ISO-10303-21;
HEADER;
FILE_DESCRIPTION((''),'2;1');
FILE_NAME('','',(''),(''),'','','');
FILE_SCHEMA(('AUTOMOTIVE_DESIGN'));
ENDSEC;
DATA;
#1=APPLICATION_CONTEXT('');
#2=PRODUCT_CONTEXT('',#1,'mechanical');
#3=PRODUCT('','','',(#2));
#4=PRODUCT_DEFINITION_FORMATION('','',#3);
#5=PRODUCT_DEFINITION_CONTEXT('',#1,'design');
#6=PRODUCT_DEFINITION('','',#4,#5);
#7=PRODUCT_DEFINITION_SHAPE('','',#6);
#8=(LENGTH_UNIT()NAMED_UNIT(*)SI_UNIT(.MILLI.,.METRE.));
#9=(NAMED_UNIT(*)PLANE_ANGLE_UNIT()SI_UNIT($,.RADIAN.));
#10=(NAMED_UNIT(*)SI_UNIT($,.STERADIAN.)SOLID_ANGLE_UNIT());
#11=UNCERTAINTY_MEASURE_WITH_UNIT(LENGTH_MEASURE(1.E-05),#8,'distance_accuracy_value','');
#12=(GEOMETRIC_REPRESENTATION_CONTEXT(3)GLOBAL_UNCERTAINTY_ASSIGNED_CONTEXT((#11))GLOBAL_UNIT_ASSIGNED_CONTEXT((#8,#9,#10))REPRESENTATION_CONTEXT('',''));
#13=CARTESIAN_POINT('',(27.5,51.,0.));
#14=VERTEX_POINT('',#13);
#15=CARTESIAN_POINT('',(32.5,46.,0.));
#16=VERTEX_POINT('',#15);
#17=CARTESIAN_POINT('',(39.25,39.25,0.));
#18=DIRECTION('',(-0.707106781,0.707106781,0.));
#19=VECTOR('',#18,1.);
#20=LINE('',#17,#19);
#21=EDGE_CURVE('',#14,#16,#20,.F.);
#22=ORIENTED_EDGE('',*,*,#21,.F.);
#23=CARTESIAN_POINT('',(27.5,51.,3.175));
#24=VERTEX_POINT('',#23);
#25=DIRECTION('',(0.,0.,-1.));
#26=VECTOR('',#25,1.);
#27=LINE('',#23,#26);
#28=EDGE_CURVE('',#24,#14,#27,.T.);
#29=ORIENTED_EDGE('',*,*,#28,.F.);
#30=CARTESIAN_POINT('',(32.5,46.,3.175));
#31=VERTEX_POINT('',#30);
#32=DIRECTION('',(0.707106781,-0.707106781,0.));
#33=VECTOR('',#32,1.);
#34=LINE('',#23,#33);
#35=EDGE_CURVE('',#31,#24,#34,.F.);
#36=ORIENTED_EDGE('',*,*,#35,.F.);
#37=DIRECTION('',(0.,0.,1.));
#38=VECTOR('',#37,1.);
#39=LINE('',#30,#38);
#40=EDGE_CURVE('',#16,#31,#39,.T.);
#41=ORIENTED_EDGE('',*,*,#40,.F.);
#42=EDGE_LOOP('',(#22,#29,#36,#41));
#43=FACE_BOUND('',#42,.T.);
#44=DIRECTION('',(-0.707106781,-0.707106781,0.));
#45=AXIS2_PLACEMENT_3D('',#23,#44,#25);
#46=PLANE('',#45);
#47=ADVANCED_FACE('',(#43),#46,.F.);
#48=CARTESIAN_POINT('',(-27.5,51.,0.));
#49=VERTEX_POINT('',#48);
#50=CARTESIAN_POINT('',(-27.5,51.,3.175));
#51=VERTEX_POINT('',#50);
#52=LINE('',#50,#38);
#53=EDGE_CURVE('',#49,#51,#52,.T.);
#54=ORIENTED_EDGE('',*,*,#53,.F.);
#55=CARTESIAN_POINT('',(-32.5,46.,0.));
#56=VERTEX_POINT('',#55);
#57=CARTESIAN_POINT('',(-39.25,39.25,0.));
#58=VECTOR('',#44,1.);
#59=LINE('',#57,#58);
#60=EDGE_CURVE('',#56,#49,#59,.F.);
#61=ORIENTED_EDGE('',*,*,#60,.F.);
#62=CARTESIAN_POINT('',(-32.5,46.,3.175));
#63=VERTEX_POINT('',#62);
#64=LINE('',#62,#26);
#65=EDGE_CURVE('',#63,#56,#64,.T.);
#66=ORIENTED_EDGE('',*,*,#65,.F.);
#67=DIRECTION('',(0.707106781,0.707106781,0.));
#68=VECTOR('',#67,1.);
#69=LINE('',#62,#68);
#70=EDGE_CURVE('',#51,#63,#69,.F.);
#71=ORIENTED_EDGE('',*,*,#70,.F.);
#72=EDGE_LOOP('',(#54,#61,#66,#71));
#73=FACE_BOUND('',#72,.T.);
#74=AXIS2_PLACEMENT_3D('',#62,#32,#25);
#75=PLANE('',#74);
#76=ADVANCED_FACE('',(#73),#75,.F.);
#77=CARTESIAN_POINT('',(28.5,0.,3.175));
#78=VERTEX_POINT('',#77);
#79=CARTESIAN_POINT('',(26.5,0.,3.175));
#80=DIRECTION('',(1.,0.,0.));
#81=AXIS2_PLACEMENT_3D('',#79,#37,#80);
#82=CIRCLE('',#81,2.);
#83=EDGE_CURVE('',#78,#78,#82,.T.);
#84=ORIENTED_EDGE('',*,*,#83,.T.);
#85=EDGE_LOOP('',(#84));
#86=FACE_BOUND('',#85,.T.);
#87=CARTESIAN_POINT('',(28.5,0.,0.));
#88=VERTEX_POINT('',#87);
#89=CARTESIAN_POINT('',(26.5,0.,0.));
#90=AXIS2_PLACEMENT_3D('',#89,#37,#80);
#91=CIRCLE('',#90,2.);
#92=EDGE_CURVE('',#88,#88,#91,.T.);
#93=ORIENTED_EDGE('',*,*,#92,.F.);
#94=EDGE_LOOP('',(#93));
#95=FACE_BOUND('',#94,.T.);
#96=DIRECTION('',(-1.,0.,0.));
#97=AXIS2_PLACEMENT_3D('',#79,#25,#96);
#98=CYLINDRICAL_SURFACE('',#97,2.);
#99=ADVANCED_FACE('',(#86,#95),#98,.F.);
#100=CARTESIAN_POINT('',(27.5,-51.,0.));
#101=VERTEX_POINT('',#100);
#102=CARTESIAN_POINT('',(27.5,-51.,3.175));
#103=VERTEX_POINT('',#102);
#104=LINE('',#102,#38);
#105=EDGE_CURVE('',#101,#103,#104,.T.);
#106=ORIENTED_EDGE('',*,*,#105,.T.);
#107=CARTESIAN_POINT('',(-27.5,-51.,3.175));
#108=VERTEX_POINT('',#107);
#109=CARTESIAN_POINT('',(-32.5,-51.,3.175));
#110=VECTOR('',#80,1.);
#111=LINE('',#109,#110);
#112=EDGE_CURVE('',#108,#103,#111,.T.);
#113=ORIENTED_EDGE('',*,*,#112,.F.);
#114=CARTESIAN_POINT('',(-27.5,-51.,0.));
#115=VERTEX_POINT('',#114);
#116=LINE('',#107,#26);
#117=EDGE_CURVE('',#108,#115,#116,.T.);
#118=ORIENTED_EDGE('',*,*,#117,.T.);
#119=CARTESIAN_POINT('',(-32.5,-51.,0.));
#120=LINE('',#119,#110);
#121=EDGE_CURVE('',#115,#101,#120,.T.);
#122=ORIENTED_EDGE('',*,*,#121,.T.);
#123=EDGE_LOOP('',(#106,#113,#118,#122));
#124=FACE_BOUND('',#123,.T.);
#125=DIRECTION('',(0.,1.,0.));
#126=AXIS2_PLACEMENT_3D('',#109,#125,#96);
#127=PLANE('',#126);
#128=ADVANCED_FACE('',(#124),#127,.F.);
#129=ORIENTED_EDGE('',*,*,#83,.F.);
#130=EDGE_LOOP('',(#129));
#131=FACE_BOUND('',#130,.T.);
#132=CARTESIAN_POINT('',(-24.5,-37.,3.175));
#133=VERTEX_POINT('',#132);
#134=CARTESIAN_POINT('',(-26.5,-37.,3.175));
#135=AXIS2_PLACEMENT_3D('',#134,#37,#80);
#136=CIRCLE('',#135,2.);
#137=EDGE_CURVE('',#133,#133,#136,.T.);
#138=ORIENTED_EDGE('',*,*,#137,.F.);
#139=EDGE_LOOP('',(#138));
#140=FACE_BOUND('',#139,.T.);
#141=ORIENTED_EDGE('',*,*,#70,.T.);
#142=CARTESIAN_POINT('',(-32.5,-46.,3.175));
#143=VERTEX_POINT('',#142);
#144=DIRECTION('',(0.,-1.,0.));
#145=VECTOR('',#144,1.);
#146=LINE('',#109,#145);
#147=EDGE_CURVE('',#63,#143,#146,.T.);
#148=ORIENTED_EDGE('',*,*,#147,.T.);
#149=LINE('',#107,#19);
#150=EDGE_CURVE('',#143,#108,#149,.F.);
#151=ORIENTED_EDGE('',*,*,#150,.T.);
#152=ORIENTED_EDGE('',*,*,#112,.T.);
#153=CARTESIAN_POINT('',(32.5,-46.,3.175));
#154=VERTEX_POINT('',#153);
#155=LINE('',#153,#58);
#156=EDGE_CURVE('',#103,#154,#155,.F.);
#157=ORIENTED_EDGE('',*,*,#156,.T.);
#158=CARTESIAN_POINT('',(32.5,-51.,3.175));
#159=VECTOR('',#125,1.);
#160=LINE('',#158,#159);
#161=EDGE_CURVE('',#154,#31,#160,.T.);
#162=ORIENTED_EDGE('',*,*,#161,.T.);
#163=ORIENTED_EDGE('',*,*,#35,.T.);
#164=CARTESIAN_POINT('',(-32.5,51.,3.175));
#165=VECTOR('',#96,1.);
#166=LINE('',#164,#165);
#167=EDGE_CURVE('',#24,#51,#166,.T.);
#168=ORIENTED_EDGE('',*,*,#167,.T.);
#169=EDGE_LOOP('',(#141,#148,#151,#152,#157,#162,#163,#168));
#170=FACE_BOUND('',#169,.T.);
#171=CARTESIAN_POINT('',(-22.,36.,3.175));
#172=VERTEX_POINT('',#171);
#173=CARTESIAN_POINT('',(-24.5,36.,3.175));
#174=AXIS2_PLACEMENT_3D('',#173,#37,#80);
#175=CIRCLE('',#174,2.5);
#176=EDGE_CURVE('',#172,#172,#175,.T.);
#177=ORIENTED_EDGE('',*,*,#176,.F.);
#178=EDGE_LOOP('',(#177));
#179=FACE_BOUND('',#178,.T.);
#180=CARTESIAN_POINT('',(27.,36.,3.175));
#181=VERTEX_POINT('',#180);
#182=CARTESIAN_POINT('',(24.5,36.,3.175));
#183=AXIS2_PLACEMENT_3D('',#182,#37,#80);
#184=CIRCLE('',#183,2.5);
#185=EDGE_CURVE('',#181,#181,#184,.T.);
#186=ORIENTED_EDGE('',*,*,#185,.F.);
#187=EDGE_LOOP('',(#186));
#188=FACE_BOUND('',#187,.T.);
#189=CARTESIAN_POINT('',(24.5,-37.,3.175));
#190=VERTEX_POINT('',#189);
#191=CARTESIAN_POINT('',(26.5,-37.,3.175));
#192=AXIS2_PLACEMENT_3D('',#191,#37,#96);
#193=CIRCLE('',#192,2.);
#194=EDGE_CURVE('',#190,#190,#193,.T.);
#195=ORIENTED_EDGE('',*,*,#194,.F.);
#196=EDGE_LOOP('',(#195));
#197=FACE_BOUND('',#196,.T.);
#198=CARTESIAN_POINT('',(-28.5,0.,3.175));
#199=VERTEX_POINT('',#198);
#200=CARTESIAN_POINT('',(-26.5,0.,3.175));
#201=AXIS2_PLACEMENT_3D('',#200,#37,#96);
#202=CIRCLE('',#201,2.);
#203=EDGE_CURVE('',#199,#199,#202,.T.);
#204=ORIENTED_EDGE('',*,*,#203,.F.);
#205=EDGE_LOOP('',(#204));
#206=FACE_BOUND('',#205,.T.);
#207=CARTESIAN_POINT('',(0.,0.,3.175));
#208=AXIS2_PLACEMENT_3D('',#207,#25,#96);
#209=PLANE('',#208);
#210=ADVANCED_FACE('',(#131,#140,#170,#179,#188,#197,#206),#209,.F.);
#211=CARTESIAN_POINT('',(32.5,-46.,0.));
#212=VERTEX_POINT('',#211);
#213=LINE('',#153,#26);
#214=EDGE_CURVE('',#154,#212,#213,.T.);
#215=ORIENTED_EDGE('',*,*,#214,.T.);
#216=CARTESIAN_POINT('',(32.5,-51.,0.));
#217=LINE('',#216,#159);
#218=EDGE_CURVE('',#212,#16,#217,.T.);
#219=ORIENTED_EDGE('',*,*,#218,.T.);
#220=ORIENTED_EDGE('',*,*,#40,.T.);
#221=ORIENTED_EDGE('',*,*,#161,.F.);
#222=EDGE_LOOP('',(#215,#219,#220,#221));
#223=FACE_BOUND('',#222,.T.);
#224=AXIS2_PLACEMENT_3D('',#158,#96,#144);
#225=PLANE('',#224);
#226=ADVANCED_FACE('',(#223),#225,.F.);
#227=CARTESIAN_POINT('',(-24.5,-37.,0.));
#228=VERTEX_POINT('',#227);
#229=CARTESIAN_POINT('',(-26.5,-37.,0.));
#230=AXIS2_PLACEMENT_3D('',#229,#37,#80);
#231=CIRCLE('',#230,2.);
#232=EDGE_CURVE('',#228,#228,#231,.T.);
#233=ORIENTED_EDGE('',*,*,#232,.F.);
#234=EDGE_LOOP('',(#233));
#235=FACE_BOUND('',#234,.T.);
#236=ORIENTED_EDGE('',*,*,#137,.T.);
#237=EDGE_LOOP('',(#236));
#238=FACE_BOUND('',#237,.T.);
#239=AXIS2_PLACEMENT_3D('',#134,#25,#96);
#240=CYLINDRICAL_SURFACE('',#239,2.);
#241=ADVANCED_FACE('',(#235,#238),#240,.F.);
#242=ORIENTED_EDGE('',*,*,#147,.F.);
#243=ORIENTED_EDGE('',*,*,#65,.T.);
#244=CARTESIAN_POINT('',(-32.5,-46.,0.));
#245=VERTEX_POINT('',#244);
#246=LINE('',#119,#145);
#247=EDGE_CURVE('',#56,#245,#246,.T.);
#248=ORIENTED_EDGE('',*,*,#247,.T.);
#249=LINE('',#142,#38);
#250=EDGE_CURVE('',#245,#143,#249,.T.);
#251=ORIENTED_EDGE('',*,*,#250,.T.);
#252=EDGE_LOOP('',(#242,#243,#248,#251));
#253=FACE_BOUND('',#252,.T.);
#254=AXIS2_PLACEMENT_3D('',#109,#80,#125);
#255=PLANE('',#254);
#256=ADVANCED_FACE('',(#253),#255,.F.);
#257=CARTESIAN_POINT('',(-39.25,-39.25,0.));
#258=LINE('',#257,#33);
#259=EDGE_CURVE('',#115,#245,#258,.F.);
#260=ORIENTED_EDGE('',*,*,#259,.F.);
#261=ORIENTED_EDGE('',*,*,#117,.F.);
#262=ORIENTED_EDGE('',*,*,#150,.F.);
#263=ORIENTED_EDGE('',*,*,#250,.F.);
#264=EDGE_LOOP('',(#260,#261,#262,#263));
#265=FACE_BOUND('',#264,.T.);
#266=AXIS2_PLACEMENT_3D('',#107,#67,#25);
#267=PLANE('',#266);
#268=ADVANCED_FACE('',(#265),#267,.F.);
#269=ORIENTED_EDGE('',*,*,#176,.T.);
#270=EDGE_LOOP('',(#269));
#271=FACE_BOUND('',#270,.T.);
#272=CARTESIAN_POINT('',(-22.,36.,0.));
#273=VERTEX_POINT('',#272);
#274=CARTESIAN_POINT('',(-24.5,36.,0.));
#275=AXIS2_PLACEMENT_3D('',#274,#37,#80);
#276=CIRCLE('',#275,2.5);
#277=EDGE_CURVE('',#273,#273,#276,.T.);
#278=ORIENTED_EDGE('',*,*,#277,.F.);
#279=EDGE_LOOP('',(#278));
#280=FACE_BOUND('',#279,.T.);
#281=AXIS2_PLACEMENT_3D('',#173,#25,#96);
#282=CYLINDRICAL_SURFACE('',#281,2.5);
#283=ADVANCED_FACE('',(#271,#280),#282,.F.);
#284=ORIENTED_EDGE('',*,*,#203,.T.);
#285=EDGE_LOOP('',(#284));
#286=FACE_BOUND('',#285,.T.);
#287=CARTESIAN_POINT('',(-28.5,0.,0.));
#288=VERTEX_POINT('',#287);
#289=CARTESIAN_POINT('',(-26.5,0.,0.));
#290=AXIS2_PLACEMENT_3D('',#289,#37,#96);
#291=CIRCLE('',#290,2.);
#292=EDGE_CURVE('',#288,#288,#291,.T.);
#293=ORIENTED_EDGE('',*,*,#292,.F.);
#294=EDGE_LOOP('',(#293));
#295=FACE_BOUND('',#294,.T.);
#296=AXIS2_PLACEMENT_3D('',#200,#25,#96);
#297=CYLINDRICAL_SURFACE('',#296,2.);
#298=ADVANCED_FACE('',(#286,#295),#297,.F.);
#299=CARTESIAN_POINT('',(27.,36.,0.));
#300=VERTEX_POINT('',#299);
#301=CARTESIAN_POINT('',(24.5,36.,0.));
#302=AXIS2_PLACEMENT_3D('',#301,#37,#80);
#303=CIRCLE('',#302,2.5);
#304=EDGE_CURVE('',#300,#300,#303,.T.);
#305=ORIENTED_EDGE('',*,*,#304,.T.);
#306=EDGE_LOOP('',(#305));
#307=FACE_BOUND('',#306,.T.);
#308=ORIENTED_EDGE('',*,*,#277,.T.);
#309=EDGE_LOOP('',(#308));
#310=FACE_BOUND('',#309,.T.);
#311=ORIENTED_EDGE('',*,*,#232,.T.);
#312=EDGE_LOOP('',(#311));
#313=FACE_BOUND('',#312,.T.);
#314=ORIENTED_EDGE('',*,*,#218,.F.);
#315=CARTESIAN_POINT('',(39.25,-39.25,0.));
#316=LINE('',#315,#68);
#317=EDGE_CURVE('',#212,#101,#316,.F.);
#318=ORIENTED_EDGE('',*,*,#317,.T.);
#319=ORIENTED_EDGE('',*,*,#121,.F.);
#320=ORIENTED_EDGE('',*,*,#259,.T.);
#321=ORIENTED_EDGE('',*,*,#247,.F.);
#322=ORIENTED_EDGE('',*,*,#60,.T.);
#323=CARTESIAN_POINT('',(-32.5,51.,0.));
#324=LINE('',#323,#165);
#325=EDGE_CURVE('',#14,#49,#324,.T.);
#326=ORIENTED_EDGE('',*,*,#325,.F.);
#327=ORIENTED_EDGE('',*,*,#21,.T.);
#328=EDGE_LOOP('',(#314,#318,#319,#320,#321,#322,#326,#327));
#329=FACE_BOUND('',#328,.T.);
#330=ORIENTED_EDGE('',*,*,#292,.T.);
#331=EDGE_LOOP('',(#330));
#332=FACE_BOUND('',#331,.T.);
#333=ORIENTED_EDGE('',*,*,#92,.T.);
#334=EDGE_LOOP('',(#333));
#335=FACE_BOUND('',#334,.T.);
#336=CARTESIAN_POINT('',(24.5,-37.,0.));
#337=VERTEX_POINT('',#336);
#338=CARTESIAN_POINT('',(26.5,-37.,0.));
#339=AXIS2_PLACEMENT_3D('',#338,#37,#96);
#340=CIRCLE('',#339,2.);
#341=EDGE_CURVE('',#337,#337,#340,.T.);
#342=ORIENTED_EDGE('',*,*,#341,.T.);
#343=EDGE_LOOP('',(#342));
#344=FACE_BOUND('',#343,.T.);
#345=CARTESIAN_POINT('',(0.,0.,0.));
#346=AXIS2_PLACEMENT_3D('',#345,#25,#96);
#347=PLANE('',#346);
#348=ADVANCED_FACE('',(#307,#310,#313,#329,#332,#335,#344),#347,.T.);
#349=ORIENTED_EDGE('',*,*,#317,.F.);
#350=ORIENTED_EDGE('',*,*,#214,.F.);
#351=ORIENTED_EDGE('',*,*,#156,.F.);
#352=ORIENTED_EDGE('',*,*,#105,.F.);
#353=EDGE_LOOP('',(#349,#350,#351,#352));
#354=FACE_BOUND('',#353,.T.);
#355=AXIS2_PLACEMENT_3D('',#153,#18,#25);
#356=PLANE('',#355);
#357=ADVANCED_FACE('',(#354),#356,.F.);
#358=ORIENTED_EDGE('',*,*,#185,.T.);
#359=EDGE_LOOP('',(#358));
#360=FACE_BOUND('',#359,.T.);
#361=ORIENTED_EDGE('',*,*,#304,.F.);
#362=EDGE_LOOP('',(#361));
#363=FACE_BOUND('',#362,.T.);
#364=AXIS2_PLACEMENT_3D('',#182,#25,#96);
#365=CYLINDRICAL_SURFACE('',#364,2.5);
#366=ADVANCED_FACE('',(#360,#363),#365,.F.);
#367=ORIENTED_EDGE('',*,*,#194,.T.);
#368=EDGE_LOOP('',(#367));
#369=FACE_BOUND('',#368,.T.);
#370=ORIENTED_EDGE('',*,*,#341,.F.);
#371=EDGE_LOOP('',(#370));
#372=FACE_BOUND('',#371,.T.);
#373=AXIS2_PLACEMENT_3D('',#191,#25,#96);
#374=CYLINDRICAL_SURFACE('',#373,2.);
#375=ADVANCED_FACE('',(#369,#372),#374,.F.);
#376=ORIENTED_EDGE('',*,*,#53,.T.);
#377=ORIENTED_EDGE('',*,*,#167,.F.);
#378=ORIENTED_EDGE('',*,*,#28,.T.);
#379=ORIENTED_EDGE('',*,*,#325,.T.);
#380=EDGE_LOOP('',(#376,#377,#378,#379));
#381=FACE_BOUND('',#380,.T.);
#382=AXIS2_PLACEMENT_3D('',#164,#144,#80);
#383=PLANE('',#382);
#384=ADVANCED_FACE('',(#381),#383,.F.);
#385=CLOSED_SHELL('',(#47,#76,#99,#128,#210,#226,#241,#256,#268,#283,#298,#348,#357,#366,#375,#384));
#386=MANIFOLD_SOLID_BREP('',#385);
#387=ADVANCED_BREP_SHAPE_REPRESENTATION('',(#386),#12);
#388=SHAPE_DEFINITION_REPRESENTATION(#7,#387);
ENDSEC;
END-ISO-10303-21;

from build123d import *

# Parameters (mm, degrees)
SKETCH1_W           = 65
SKETCH1_H           = 102
SKETCH1_R           = 2.5
SKETCH1_R_2         = 2
BOSS_EXTRUDE1_DEPTH = 3.175
CHAMFER1_SIZE       = 5


with BuildPart() as part:
    # Sketch1 → Boss-Extrude1 (new body)
    with BuildSketch(Plane.XY):
        Rectangle(SKETCH1_W, SKETCH1_H)
        with Locations((24.5, 36)):
            Circle(SKETCH1_R, mode=Mode.SUBTRACT)
        with Locations((-24.5, 36)):
            Circle(SKETCH1_R, mode=Mode.SUBTRACT)
        with Locations((26.5, 0)):
            Circle(SKETCH1_R_2, mode=Mode.SUBTRACT)
        with Locations(Location((-26.5, 0, 0), (0, 0, 180))):
            Circle(SKETCH1_R_2, mode=Mode.SUBTRACT)
        with Locations((-26.5, -37)):
            Circle(SKETCH1_R_2, mode=Mode.SUBTRACT)
        with Locations(Location((26.5, -37, 0), (0, 0, 180))):
            Circle(SKETCH1_R_2, mode=Mode.SUBTRACT)
    extrude(amount=BOSS_EXTRUDE1_DEPTH)

    # Chamfer1
    chamfer1_edges = [part.edges().sort_by_distance(p)[0] for p in [
        (32.5, -51, 1.5875),
        (-32.5, -51, 1.5875),
        (-32.5, 51, 1.5875),
        (32.5, 51, 1.5875),
    ]]
    chamfer(chamfer1_edges, length=CHAMFER1_SIZE)


solid = part.part
